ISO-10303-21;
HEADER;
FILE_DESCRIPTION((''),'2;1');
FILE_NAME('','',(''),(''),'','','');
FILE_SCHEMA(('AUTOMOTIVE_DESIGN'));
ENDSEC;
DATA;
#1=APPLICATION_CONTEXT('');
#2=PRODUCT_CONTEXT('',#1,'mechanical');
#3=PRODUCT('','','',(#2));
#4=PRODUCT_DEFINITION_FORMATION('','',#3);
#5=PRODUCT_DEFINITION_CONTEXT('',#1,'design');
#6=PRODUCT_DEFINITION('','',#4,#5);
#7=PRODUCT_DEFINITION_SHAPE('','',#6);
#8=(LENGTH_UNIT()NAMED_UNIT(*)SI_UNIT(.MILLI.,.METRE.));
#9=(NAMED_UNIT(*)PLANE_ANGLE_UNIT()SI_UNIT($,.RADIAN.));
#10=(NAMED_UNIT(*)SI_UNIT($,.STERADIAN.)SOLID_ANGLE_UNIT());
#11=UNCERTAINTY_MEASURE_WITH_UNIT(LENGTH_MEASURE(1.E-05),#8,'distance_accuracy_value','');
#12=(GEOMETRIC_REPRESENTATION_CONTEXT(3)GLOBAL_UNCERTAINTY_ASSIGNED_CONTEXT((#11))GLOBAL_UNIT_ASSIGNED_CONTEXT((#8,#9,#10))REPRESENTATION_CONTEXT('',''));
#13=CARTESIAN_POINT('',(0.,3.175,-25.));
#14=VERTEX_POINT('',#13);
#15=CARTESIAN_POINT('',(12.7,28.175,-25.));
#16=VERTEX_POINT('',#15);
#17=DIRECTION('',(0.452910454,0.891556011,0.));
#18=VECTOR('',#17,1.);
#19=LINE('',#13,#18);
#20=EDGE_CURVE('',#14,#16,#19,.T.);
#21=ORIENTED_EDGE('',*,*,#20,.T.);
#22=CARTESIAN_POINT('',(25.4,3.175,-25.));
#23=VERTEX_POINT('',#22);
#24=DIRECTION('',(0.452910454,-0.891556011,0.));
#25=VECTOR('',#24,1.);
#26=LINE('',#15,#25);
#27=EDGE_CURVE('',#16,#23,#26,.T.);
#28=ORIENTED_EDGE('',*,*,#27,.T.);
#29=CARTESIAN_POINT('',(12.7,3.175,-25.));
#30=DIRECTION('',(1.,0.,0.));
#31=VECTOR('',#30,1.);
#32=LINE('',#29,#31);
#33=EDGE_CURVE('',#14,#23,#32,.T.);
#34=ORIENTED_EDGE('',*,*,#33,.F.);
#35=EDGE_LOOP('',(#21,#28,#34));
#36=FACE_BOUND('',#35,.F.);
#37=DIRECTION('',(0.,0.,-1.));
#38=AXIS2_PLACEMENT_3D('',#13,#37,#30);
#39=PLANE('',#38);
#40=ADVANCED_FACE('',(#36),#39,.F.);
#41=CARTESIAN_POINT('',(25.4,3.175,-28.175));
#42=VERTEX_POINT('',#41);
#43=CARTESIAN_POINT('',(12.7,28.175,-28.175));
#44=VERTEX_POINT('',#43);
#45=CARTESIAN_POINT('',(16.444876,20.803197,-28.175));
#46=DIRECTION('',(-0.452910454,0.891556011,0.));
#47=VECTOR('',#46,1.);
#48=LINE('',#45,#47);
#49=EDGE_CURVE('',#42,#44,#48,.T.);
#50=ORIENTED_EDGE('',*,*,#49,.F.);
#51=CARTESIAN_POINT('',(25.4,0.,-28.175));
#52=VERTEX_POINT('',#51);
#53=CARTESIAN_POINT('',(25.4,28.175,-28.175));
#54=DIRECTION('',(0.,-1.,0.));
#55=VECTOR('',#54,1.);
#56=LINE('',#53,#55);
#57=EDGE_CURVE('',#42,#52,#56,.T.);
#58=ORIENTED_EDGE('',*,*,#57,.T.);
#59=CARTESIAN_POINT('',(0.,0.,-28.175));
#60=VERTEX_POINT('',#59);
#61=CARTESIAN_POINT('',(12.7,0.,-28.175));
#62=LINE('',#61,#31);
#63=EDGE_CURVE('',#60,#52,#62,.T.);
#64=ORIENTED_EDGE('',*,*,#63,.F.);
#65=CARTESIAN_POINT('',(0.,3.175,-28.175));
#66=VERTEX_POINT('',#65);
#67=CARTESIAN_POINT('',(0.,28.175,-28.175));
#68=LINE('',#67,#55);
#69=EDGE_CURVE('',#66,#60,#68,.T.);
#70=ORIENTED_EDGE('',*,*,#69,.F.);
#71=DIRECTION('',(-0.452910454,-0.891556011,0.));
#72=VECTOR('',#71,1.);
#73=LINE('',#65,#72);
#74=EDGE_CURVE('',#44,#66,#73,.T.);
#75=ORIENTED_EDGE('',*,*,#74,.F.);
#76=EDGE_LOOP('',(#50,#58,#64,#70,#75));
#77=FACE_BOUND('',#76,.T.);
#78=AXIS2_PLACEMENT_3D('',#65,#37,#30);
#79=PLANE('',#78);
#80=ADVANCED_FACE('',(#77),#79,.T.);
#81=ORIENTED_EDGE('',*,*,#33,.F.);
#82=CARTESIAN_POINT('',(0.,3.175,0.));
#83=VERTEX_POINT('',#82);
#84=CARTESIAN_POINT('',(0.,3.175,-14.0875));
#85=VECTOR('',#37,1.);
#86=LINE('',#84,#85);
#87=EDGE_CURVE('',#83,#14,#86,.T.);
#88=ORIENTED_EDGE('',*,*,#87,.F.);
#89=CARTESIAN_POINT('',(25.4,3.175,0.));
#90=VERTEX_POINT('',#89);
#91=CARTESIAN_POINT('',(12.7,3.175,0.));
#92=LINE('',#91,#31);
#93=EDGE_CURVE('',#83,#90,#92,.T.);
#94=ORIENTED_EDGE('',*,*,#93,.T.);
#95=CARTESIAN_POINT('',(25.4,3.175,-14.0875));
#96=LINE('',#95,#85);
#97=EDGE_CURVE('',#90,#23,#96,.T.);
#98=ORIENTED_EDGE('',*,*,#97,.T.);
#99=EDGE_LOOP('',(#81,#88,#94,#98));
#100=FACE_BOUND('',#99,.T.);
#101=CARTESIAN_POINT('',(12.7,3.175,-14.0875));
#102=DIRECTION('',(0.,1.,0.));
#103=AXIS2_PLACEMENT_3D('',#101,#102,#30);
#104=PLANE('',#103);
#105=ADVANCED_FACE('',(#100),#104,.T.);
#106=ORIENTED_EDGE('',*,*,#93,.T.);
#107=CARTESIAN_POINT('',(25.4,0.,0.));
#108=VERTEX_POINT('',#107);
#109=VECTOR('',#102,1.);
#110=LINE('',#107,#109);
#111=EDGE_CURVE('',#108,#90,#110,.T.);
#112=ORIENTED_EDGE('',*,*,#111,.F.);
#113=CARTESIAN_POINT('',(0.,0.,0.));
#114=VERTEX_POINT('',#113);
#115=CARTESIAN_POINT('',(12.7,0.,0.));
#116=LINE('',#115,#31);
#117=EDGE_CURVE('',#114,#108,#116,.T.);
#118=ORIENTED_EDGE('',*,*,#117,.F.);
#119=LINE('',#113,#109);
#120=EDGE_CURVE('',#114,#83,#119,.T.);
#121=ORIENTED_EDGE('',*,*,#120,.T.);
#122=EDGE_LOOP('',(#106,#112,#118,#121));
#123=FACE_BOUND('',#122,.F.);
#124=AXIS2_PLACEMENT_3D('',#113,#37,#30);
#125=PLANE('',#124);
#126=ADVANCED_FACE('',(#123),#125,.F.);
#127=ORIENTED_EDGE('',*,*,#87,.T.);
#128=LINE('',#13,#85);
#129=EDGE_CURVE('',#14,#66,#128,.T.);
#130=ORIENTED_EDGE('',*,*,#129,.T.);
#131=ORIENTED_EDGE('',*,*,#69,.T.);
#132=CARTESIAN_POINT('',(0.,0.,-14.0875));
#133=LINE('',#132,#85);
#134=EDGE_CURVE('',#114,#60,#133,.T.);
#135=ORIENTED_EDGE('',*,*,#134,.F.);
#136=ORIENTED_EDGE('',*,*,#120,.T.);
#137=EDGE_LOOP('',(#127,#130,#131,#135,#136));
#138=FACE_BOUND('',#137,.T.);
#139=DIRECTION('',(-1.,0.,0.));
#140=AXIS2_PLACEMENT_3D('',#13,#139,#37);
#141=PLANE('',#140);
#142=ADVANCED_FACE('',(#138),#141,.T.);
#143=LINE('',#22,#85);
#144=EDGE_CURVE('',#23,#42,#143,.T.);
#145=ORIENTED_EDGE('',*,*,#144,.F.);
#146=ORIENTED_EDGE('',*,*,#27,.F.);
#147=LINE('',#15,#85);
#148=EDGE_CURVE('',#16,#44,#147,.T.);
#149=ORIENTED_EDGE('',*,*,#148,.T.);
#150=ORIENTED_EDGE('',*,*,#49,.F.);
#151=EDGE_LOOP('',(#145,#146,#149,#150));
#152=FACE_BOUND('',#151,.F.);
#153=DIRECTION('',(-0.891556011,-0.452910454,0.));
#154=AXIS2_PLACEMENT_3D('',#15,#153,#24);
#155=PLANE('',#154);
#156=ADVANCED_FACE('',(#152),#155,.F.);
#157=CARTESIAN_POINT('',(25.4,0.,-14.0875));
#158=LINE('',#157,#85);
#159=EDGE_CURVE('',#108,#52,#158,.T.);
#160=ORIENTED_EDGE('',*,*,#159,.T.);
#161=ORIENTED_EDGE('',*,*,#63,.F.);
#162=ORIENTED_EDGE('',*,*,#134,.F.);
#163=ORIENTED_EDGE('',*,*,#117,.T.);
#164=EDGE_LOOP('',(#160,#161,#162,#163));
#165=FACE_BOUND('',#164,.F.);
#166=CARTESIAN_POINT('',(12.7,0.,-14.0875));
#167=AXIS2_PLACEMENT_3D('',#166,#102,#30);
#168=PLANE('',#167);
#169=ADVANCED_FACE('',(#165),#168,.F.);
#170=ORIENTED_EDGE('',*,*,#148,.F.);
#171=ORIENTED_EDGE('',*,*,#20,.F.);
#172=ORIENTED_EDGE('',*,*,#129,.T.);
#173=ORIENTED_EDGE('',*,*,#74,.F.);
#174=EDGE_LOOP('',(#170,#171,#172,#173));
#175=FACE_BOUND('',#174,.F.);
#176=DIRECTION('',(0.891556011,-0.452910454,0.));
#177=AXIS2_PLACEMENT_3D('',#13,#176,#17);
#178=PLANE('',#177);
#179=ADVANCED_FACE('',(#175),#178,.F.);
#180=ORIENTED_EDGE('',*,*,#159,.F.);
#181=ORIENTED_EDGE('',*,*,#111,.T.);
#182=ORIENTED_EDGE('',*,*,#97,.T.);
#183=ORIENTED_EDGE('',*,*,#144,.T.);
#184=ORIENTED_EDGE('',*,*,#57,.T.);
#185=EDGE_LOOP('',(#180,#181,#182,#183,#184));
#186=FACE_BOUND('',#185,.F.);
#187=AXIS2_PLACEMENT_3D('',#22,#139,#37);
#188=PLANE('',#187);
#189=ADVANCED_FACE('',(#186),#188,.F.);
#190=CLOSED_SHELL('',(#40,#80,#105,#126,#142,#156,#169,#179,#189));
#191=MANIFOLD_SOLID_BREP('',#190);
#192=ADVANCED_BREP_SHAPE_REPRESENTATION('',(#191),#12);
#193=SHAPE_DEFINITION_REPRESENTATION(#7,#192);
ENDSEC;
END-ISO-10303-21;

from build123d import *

# Parameters (mm, degrees)
SKETCH2_W               = 25.4
SKETCH2_H               = 28.175
BOSS_EXTRUDE1_DEPTH     = 3.175
SKETCH3_W               = 25.4
SKETCH3_H               = 3.175
BOSS_EXTRUDE2_DEPTH     = 25
CUT_EXTRUDE1_DEPTH      = 26
CUT_EXTRUDE1_DEPTH_BACK = 4.175


with BuildPart() as part:
    # Sketch2 → Boss-Extrude1 (new body)
    with BuildSketch(Plane(origin=(0, 0, 0), x_dir=(1, 0, 0), z_dir=(0, 1, 0))):
        with Locations((12.7, 14.0875)):
            Rectangle(SKETCH2_W, SKETCH2_H)
    extrude(amount=BOSS_EXTRUDE1_DEPTH)

    # Sketch3 → Boss-Extrude2 (add)
    with BuildSketch(Plane(origin=(0, 3.175, 0), x_dir=(1, 0, 0), z_dir=(0, 1, 0))):
        with Locations((12.7, 26.5875)):
            Rectangle(SKETCH3_W, SKETCH3_H)
    extrude(amount=BOSS_EXTRUDE2_DEPTH)

    # Sketch4 → Cut-Extrude1 (cut, two sides)
    with BuildSketch(Plane.XY.offset(-25)) as cut_extrude1_sk:
        Polygon((-36.811931354, -69.289431798), (0, 3.175), (12.7, 28.175), (25.4, 3.175), (62.211931354, -69.289431798), (62.211931354, 93.267784785), (-36.811931354, 93.267784785), align=None)
    extrude(amount=CUT_EXTRUDE1_DEPTH, mode=Mode.SUBTRACT)
    extrude(cut_extrude1_sk.sketch, amount=-CUT_EXTRUDE1_DEPTH_BACK, mode=Mode.SUBTRACT)


solid = part.part
